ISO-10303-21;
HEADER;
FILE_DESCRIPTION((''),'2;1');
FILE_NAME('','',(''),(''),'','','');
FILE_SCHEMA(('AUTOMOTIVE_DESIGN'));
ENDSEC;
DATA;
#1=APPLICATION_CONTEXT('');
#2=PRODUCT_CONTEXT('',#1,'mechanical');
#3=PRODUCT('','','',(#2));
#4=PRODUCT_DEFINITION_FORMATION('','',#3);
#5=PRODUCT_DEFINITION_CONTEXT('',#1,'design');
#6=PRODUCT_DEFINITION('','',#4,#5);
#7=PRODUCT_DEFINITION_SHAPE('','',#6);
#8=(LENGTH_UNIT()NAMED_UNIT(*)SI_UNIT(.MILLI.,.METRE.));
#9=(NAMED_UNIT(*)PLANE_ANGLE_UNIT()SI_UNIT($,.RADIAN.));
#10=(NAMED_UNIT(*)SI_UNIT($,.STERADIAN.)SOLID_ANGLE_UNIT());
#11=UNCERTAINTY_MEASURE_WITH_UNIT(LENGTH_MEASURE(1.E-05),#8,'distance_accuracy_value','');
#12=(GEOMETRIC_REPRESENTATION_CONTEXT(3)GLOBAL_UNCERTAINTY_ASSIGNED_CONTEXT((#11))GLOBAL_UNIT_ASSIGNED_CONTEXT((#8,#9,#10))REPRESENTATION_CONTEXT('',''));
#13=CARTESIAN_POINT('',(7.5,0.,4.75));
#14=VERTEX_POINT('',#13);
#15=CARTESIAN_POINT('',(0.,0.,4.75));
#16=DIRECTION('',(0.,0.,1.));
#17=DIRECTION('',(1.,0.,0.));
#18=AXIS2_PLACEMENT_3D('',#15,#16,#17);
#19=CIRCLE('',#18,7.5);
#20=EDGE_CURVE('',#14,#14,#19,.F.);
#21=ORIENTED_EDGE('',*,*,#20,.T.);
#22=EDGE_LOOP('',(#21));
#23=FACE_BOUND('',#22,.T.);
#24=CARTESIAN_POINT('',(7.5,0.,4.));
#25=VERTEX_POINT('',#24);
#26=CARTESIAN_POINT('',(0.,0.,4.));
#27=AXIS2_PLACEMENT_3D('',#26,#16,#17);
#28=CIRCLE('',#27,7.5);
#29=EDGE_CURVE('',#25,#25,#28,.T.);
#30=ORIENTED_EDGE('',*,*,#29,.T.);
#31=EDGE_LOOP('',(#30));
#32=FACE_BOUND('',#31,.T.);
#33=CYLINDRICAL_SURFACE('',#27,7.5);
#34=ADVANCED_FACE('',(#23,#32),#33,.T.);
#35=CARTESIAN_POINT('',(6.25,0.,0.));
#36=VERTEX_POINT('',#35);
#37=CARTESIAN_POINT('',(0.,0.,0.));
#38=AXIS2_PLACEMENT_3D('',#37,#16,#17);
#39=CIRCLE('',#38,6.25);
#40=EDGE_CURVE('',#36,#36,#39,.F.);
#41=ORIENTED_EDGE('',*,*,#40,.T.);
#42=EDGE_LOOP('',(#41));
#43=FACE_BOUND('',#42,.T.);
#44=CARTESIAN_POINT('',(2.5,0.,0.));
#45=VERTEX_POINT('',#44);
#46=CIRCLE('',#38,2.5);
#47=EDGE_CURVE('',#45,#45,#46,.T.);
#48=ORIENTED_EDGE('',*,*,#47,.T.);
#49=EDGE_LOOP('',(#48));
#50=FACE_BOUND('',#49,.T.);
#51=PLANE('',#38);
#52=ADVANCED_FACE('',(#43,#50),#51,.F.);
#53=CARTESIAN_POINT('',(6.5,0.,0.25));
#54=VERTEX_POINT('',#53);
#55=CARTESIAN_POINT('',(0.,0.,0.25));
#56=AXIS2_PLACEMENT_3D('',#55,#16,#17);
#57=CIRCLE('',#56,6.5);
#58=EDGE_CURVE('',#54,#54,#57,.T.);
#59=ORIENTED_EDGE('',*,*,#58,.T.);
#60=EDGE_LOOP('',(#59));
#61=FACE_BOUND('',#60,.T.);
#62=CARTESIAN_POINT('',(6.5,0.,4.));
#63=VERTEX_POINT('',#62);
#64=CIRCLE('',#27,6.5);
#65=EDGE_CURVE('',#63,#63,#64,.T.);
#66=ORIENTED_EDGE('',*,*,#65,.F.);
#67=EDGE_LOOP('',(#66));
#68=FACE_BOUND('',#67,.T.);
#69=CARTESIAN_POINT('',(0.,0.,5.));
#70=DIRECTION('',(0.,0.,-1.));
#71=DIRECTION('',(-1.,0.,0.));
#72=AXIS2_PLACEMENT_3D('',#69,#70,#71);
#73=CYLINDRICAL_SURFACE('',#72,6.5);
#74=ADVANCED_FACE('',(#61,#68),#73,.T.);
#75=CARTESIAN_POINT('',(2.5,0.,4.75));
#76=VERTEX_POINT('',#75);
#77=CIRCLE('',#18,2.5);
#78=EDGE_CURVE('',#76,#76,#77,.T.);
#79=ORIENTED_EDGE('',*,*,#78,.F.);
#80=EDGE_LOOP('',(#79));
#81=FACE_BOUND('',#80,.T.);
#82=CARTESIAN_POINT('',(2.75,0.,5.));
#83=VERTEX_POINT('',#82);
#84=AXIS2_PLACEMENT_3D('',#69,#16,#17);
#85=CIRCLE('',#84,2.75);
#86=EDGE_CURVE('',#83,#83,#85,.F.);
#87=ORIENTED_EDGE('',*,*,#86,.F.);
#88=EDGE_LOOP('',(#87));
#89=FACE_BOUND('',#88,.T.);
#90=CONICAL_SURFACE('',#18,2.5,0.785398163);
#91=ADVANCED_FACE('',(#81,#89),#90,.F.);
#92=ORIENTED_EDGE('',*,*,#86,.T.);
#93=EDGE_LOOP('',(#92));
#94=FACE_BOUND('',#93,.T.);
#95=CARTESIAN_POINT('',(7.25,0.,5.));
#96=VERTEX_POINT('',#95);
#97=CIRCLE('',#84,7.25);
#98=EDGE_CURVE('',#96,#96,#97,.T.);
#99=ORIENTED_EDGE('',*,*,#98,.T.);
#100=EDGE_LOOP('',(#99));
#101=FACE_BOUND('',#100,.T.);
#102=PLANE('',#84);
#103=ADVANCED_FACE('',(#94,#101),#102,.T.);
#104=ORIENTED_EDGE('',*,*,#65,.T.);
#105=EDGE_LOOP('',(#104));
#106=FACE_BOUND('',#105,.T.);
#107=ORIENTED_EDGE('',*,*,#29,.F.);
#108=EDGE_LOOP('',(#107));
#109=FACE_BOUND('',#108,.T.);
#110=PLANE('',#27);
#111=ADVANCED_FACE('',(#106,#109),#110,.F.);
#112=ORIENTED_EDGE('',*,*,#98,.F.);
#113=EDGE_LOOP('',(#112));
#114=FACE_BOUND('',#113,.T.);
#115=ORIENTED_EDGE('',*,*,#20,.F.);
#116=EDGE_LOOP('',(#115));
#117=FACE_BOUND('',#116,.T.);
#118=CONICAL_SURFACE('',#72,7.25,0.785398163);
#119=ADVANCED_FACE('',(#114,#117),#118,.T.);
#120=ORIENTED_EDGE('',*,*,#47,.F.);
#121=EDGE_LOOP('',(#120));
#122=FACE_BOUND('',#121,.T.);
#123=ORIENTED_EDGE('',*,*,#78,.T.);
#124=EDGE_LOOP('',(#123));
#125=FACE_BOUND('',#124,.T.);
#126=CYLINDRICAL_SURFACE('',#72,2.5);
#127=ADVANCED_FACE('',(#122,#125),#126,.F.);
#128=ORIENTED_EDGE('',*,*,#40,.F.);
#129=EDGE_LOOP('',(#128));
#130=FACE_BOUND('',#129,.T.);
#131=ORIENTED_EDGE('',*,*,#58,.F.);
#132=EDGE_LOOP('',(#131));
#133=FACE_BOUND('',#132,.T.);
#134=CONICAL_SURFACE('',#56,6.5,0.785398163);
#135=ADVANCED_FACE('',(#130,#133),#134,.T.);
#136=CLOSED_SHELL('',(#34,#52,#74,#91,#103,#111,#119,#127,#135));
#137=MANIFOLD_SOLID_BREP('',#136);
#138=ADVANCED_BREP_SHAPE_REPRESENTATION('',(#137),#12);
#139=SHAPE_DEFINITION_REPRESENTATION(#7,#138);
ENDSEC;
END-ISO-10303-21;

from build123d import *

# Parameters (mm, degrees)
ESQUISSE1_R        = 6.5
ESQUISSE1_R_2      = 2.5
BOSS_EXTRU_1_DEPTH = 5
ESQUISSE2_R        = 7.5
ESQUISSE2_R_2      = 3
BOSS_EXTRU_2_DEPTH = 1
CHANFREIN1_SIZE    = 0.25


with BuildPart() as part:
    # Esquisse1 → Boss.-Extru.1 (new body)
    with BuildSketch(Plane.XY):
        Circle(ESQUISSE1_R)
        Circle(ESQUISSE1_R_2, mode=Mode.SUBTRACT)
    extrude(amount=BOSS_EXTRU_1_DEPTH)

    # Esquisse2 → Boss.-Extru.2 (add)
    with BuildSketch(Plane.XY.offset(5)):
        Circle(ESQUISSE2_R)
        Circle(ESQUISSE2_R_2, mode=Mode.SUBTRACT)
    extrude(amount=-BOSS_EXTRU_2_DEPTH)

    # Chanfrein1
    chanfrein1_edges = [part.edges().sort_by_distance(p)[0] for p in [
        (-7.5, 0, 5),
        (-6.5, 0, 0),
        (-2.5, 0, 5),
    ]]
    chamfer(chanfrein1_edges, length=CHANFREIN1_SIZE)


solid = part.part
